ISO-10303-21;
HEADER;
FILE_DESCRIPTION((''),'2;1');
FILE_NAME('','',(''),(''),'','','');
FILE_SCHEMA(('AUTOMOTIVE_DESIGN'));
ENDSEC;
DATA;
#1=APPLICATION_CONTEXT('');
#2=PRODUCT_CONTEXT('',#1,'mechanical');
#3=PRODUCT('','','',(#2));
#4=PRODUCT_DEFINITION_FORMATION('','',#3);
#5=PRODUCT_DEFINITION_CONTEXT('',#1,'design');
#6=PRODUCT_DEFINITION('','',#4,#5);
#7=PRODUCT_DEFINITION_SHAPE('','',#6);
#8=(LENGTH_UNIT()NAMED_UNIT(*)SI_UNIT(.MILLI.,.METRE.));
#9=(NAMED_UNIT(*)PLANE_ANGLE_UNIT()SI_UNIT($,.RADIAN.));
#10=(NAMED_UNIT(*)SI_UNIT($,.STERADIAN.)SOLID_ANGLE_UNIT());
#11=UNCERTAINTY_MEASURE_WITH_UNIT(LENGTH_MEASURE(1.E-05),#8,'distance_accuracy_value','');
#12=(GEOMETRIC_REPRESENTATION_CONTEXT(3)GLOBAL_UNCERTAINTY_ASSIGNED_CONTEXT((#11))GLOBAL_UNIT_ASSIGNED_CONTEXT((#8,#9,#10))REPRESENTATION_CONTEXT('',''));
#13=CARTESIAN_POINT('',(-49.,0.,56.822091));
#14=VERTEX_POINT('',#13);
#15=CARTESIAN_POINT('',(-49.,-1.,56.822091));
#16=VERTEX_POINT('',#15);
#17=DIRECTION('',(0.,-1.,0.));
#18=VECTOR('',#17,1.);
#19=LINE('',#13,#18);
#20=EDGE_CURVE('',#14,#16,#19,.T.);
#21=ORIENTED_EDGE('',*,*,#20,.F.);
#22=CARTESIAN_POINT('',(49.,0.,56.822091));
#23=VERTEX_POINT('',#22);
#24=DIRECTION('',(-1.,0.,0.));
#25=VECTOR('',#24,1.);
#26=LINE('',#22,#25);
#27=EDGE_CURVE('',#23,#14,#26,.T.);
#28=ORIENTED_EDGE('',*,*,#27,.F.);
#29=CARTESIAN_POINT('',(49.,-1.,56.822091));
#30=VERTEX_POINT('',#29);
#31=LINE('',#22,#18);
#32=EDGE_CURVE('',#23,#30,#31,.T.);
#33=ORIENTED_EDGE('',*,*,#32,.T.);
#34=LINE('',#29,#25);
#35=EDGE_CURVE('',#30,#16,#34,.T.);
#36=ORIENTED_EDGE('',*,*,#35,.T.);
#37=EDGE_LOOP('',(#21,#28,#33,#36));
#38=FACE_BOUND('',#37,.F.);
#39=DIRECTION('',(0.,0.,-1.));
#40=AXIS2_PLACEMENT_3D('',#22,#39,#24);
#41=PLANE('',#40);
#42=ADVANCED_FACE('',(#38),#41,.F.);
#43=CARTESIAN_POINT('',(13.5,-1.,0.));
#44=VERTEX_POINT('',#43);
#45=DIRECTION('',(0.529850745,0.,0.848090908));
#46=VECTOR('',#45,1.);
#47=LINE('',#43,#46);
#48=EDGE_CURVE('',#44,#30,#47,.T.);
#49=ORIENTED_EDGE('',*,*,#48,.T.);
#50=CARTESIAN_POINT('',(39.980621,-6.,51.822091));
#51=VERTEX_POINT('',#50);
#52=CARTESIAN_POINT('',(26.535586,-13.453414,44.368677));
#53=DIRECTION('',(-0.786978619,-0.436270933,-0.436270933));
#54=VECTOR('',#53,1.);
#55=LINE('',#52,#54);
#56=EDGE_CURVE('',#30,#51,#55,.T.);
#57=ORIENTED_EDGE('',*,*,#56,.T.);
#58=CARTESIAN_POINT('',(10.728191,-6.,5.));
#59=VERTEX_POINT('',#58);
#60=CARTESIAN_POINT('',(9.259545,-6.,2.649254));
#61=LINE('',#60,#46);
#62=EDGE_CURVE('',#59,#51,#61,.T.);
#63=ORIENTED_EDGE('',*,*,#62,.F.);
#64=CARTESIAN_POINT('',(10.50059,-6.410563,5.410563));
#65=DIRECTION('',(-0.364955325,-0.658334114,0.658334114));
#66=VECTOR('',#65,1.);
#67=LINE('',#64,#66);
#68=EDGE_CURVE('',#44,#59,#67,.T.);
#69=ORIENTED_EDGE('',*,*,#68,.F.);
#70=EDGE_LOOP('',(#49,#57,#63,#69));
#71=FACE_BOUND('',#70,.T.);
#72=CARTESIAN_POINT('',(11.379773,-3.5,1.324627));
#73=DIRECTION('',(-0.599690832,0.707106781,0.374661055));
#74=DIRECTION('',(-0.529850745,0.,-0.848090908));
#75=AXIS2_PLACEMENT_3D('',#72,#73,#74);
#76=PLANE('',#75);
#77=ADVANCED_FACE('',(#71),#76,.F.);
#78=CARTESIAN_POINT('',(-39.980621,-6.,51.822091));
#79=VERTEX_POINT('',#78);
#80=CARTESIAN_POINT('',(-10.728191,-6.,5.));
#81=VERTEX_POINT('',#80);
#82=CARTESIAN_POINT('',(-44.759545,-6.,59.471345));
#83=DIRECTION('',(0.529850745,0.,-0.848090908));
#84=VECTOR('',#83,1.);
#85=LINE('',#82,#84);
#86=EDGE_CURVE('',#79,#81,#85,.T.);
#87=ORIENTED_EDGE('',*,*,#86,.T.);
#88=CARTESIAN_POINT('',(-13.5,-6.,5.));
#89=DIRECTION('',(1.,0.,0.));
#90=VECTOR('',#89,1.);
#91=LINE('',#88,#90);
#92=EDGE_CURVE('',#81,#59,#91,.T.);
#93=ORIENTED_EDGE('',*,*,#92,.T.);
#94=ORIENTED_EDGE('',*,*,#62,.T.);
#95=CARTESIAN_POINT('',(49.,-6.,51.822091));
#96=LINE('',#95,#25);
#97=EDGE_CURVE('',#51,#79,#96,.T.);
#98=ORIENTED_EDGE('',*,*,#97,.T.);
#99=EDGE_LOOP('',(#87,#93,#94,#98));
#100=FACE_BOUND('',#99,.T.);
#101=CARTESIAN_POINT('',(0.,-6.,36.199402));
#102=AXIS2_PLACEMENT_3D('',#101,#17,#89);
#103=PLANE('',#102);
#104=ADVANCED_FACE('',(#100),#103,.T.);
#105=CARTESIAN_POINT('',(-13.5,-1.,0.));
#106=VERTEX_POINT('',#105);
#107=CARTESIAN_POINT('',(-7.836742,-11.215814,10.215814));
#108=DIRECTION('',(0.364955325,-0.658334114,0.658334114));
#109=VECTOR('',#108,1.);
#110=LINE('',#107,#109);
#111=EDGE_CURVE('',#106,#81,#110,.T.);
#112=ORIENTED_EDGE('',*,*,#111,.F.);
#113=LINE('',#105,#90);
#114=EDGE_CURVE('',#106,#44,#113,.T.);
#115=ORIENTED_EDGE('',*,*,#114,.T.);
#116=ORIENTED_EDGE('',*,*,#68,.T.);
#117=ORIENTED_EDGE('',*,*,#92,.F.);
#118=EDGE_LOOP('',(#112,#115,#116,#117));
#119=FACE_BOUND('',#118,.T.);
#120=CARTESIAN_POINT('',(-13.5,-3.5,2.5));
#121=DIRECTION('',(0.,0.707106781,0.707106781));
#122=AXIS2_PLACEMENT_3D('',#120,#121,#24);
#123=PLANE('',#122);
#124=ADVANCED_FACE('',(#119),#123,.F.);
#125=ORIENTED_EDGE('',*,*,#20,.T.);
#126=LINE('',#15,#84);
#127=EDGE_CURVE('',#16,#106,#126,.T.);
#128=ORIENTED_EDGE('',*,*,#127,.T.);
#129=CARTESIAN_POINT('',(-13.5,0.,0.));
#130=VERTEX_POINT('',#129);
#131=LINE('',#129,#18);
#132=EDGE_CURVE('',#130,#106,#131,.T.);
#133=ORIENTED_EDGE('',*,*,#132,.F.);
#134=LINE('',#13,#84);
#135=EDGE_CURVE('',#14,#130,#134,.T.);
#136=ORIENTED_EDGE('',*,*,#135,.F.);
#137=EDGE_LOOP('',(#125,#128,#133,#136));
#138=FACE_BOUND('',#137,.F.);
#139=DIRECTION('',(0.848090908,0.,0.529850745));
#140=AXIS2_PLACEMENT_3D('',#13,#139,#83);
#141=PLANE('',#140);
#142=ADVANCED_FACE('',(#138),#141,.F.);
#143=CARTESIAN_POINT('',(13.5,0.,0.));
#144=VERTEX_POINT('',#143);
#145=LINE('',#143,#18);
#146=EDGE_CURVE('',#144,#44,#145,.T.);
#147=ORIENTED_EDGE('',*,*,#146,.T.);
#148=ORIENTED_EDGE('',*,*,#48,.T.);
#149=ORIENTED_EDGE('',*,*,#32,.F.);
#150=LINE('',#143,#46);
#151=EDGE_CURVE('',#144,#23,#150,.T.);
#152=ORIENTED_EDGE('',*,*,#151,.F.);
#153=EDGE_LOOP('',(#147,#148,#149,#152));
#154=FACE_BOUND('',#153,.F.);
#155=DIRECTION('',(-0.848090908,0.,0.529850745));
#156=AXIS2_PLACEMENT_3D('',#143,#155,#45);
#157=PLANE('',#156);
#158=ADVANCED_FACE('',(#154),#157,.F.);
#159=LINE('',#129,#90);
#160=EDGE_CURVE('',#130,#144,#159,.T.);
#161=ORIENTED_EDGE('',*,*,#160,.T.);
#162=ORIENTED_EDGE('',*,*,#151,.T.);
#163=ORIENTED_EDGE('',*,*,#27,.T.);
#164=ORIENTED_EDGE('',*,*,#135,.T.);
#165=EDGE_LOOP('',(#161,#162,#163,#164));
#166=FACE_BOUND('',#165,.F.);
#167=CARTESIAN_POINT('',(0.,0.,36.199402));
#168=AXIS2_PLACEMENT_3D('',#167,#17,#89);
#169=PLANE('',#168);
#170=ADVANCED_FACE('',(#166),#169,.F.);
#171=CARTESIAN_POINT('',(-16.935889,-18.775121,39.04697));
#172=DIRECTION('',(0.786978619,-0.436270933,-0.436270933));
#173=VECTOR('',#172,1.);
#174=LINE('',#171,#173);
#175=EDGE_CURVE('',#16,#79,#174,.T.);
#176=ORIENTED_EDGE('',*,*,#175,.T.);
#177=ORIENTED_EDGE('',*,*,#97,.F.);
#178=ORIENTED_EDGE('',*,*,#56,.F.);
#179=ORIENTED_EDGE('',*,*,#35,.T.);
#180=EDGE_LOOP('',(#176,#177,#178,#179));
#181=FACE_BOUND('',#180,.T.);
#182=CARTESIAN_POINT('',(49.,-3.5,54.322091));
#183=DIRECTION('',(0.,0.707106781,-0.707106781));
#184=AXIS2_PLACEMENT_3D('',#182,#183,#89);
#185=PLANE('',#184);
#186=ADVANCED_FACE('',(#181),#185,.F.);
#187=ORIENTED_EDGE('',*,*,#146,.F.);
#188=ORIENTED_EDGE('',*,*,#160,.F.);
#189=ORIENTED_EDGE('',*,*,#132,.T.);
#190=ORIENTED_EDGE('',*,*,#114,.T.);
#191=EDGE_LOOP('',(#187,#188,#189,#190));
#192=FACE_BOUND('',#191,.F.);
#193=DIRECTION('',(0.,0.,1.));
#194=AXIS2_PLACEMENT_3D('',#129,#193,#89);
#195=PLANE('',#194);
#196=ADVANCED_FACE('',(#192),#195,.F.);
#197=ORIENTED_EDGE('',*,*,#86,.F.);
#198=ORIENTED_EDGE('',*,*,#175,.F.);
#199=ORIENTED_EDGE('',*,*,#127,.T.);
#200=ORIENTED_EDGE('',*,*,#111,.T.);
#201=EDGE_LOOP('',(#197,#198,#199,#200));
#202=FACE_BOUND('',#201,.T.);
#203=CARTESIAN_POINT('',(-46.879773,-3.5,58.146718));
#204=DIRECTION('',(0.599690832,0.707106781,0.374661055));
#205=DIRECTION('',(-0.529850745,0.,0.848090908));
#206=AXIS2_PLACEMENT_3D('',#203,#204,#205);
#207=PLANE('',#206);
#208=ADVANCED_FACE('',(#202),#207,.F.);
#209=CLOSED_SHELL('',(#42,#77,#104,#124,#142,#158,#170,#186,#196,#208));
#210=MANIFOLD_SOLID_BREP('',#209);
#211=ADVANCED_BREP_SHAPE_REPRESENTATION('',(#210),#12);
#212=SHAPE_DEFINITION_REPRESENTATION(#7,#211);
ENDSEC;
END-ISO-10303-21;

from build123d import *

# Parameters (mm, degrees)
F1_DEPTH = 6
F2_SIZE  = 5


with BuildPart() as f1:
    # F0 (on Front) → F1 (new body)
    with BuildSketch(Plane.XZ):
        Polygon((49, 56.822091), (-49, 56.822091), (-13.5, 0), (13.5, 0), align=None)
    extrude(amount=F1_DEPTH)

    # F2
    f2_edges = [f1.edges().sort_by_distance(p)[0] for p in [
        (-31.25, -6, 28.411045),
        (0, -6, 56.822091),
        (31.25, -6, 28.411045),
        (0, -6, 0),
    ]]
    chamfer(f2_edges, length=F2_SIZE)


solid = f1.part
